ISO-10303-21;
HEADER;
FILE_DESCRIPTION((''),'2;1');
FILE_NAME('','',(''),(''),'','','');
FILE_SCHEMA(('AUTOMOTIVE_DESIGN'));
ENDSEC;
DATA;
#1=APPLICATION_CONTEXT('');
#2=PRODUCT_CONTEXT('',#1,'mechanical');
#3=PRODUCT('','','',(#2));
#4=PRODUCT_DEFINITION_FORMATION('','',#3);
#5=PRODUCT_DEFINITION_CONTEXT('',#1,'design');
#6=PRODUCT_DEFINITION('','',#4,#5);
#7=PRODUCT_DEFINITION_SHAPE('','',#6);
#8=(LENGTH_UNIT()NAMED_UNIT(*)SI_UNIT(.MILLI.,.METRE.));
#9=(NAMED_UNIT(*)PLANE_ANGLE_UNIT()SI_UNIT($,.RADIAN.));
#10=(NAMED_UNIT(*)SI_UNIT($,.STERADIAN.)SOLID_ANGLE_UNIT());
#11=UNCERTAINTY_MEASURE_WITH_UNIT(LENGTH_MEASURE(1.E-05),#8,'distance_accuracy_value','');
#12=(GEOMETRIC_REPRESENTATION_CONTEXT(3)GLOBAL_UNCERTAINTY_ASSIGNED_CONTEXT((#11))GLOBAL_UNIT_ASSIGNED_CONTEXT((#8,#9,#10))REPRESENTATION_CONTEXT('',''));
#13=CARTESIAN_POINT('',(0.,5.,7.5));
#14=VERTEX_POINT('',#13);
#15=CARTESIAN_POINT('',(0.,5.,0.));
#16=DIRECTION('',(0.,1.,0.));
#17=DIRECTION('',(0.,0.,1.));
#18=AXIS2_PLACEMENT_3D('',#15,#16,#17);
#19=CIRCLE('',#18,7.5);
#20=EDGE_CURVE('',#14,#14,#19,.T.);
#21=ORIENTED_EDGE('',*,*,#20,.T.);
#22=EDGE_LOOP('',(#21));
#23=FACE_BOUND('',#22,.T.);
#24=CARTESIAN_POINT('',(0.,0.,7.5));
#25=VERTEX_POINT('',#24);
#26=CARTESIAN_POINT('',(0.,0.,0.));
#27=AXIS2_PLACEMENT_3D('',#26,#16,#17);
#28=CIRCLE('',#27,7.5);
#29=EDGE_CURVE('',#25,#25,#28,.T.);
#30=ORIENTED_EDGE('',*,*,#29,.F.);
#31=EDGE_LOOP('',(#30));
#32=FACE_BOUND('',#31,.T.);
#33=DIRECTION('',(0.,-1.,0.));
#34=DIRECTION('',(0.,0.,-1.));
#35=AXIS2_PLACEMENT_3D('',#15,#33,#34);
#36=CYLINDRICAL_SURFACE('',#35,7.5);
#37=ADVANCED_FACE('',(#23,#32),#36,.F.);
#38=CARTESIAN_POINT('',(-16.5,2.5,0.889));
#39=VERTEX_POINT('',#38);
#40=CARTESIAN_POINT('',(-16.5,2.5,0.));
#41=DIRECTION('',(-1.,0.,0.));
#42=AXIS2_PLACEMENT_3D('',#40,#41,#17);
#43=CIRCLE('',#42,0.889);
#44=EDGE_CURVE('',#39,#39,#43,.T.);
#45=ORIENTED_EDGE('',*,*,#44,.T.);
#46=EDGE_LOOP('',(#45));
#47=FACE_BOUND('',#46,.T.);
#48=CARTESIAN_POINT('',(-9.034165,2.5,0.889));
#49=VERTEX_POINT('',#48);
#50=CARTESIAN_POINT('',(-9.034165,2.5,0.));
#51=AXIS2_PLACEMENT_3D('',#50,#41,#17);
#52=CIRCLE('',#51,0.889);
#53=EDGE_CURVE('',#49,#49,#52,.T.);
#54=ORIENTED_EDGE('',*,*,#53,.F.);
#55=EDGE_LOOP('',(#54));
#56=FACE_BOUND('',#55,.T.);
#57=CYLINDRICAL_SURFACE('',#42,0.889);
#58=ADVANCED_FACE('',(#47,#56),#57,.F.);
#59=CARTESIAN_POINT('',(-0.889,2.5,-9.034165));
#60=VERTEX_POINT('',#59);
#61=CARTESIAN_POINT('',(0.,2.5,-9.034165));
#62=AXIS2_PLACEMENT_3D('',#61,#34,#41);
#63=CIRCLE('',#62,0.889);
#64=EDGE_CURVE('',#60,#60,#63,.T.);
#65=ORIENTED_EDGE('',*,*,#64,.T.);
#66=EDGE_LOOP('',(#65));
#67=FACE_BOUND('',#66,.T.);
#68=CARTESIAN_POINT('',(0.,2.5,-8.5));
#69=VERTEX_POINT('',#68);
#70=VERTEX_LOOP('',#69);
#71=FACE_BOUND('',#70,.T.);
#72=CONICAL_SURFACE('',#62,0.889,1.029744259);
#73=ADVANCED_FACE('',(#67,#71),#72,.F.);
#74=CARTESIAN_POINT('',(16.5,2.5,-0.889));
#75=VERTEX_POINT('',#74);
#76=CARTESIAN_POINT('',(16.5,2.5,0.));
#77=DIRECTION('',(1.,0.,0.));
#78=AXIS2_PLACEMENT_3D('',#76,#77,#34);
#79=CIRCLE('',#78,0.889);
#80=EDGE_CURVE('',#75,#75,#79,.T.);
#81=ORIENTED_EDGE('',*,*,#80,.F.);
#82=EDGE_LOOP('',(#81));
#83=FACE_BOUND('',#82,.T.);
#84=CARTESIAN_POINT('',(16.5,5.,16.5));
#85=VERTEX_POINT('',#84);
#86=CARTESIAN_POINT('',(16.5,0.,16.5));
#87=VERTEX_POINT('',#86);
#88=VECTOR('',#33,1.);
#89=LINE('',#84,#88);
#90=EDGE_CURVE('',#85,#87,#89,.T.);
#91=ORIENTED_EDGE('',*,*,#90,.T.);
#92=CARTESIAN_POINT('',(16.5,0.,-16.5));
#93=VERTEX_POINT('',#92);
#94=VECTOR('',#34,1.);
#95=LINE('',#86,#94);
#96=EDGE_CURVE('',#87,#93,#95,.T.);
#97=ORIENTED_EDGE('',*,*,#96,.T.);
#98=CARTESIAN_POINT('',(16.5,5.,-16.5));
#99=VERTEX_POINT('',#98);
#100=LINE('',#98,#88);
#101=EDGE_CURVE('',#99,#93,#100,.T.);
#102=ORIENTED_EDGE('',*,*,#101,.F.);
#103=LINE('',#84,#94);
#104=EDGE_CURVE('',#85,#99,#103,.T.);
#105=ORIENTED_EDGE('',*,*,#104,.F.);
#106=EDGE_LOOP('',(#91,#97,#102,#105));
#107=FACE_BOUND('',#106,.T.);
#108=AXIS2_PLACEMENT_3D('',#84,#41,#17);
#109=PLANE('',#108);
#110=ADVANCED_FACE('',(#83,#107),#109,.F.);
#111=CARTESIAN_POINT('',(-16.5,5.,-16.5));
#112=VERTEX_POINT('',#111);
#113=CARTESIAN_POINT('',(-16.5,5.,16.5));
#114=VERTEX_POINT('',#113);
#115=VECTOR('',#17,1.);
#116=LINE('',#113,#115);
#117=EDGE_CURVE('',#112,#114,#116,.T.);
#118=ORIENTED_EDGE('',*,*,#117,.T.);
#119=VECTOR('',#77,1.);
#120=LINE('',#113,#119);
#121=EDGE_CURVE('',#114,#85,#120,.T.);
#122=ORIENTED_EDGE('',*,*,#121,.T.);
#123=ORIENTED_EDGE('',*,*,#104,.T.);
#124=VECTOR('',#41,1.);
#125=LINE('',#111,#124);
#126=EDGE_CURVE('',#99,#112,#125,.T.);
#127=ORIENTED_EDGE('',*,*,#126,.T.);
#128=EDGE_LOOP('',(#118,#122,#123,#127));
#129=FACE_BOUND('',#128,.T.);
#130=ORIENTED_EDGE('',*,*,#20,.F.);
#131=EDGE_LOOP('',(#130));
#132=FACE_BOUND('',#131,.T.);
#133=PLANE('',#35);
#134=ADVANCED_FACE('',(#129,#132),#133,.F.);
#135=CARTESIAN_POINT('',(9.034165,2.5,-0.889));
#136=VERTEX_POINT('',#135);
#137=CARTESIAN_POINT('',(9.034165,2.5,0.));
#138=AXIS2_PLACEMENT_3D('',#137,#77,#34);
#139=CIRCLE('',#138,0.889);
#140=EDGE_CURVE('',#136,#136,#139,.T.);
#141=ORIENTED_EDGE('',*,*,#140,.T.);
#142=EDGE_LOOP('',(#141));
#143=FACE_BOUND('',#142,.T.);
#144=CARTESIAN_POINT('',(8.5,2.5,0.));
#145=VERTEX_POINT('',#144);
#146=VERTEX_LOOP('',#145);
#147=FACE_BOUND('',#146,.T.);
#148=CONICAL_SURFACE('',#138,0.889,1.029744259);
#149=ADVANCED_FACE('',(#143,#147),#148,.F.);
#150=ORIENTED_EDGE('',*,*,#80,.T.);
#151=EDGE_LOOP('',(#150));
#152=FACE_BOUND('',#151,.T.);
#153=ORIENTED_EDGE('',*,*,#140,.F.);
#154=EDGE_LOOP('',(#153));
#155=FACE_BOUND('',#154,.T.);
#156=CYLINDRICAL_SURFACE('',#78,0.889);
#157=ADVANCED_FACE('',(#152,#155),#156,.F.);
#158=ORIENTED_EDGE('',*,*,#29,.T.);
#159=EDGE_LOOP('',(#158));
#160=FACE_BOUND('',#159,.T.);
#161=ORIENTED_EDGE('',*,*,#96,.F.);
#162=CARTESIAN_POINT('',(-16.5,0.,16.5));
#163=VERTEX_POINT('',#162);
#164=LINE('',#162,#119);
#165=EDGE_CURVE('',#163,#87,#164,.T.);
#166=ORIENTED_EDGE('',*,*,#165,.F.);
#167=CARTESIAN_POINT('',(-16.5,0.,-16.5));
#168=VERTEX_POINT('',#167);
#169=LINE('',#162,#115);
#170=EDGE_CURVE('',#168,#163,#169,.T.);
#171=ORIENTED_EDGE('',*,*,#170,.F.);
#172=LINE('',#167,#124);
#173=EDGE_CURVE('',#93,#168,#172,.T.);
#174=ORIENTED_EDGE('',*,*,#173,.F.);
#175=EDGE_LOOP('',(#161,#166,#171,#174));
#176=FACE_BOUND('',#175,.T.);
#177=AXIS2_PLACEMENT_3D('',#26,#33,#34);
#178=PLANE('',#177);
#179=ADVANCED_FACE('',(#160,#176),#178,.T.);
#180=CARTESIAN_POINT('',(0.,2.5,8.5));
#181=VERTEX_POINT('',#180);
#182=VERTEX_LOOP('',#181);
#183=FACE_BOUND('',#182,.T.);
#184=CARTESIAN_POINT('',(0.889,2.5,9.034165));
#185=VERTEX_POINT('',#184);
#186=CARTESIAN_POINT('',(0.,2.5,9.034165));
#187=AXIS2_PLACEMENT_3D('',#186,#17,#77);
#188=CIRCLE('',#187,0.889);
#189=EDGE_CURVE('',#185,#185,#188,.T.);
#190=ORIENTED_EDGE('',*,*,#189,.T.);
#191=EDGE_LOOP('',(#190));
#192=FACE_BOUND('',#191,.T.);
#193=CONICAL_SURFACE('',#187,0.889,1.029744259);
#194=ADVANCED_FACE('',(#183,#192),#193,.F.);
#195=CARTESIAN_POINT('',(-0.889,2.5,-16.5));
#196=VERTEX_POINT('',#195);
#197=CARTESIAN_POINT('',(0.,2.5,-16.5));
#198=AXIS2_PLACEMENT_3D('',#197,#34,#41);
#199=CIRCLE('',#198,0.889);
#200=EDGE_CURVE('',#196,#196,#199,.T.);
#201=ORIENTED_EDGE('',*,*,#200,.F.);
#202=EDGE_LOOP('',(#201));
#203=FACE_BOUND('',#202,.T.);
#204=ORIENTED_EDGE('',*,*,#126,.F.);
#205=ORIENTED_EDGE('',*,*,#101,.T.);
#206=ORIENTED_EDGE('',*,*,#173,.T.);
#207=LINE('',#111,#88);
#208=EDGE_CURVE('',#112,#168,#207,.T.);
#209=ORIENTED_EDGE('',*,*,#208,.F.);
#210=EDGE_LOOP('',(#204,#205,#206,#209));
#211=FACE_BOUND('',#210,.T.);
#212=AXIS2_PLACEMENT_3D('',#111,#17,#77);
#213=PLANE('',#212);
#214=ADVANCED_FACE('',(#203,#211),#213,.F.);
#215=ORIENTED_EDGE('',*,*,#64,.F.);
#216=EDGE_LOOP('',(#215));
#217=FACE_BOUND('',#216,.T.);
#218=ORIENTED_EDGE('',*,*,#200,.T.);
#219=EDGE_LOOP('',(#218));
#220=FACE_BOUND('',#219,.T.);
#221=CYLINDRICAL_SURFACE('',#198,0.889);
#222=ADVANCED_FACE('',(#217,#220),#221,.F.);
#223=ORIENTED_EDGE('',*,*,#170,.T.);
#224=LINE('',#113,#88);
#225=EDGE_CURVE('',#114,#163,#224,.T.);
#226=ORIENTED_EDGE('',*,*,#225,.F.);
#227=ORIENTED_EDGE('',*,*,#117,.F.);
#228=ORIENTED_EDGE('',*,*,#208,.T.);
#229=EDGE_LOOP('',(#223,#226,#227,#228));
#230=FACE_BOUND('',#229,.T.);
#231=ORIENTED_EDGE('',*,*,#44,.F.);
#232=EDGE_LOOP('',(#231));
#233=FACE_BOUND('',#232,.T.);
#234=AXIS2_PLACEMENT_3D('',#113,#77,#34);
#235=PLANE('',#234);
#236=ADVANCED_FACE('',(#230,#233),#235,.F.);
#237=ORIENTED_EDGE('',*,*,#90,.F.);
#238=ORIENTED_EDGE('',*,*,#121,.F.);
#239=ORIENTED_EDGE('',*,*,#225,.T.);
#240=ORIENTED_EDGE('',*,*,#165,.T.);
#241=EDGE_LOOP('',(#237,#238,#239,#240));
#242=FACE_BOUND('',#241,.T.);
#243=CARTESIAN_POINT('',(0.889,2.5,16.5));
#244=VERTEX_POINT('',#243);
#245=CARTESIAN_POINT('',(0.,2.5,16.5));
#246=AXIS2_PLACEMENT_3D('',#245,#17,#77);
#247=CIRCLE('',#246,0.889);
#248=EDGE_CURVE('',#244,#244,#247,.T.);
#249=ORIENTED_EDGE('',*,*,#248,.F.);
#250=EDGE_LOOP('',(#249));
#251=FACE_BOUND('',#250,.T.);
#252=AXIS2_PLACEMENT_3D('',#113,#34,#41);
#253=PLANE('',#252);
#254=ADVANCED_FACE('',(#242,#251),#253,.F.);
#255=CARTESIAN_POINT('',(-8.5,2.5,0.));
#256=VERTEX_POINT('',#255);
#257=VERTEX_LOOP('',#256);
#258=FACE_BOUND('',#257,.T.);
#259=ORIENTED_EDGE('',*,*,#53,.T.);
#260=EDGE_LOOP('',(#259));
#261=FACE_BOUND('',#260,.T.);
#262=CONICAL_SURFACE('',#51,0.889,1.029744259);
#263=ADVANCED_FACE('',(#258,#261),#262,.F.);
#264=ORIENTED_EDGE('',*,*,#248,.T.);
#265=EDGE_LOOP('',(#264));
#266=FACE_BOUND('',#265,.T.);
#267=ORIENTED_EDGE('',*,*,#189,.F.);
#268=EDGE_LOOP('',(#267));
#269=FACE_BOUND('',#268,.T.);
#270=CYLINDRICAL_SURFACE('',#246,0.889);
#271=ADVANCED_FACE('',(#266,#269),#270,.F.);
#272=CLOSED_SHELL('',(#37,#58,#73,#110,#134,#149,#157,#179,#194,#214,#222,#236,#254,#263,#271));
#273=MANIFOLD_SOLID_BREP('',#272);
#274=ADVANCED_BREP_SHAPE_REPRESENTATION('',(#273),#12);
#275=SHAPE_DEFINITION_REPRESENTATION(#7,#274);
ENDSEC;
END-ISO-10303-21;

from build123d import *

# Parameters (mm, degrees)
SKETCH1_W                 = 33
SKETCH1_H                 = 33
SKETCH1_R                 = 7.5
BOSS_EXTRUDE1_DEPTH       = 5
F_2_56_TAPPED_HOLE4_D     = 1.778
F_2_56_TAPPED_HOLE4_DEPTH = 7.46583491
F_2_56_TAPPED_HOLE4_TIP   = 0.53416509
F_2_56_TAPPED_HOLE5_D     = 1.778
F_2_56_TAPPED_HOLE5_DEPTH = 7.46583491
F_2_56_TAPPED_HOLE5_TIP   = 0.53416509
F_2_56_TAPPED_HOLE6_D     = 1.778
F_2_56_TAPPED_HOLE6_DEPTH = 7.46583491
F_2_56_TAPPED_HOLE6_TIP   = 0.53416509
F_2_56_TAPPED_HOLE7_D     = 1.778
F_2_56_TAPPED_HOLE7_DEPTH = 7.46583491
F_2_56_TAPPED_HOLE7_TIP   = 0.53416509


with BuildPart() as part:
    # Sketch1 → Boss-Extrude1 (new body)
    with BuildSketch(Plane(origin=(0, 0, 0), x_dir=(1, 0, 0), z_dir=(0, 1, 0))):
        Rectangle(SKETCH1_W, SKETCH1_H)
        Circle(SKETCH1_R, mode=Mode.SUBTRACT)
    extrude(amount=BOSS_EXTRUDE1_DEPTH)

    # #2-56 Tapped Hole4
    with Locations(Plane.XY.offset(16.5)):
        with Locations((0, 2.5)):
            Hole(F_2_56_TAPPED_HOLE4_D / 2, depth=F_2_56_TAPPED_HOLE4_DEPTH)
            with Locations((0, 0, -(F_2_56_TAPPED_HOLE4_DEPTH + F_2_56_TAPPED_HOLE4_TIP / 2))):  # 118° drill point
                Cone(0, F_2_56_TAPPED_HOLE4_D / 2, F_2_56_TAPPED_HOLE4_TIP, mode=Mode.SUBTRACT)

    # #2-56 Tapped Hole5
    with Locations(Plane(origin=(0, 0, -16.5), x_dir=(-1, 0, 0), z_dir=(0, 0, -1))):
        with Locations((0, 2.5)):
            Hole(F_2_56_TAPPED_HOLE5_D / 2, depth=F_2_56_TAPPED_HOLE5_DEPTH)
            with Locations((0, 0, -(F_2_56_TAPPED_HOLE5_DEPTH + F_2_56_TAPPED_HOLE5_TIP / 2))):  # 118° drill point
                Cone(0, F_2_56_TAPPED_HOLE5_D / 2, F_2_56_TAPPED_HOLE5_TIP, mode=Mode.SUBTRACT)

    # #2-56 Tapped Hole6
    with Locations(Plane(origin=(16.5, 0, 0), x_dir=(0, 0, -1), z_dir=(1, 0, 0))):
        with Locations((0, 2.5)):
            Hole(F_2_56_TAPPED_HOLE6_D / 2, depth=F_2_56_TAPPED_HOLE6_DEPTH)
            with Locations((0, 0, -(F_2_56_TAPPED_HOLE6_DEPTH + F_2_56_TAPPED_HOLE6_TIP / 2))):  # 118° drill point
                Cone(0, F_2_56_TAPPED_HOLE6_D / 2, F_2_56_TAPPED_HOLE6_TIP, mode=Mode.SUBTRACT)

    # #2-56 Tapped Hole7
    with Locations(Plane.ZY.offset(16.5)):
        with Locations((0, 2.5)):
            Hole(F_2_56_TAPPED_HOLE7_D / 2, depth=F_2_56_TAPPED_HOLE7_DEPTH)
            with Locations((0, 0, -(F_2_56_TAPPED_HOLE7_DEPTH + F_2_56_TAPPED_HOLE7_TIP / 2))):  # 118° drill point
                Cone(0, F_2_56_TAPPED_HOLE7_D / 2, F_2_56_TAPPED_HOLE7_TIP, mode=Mode.SUBTRACT)


solid = part.part
